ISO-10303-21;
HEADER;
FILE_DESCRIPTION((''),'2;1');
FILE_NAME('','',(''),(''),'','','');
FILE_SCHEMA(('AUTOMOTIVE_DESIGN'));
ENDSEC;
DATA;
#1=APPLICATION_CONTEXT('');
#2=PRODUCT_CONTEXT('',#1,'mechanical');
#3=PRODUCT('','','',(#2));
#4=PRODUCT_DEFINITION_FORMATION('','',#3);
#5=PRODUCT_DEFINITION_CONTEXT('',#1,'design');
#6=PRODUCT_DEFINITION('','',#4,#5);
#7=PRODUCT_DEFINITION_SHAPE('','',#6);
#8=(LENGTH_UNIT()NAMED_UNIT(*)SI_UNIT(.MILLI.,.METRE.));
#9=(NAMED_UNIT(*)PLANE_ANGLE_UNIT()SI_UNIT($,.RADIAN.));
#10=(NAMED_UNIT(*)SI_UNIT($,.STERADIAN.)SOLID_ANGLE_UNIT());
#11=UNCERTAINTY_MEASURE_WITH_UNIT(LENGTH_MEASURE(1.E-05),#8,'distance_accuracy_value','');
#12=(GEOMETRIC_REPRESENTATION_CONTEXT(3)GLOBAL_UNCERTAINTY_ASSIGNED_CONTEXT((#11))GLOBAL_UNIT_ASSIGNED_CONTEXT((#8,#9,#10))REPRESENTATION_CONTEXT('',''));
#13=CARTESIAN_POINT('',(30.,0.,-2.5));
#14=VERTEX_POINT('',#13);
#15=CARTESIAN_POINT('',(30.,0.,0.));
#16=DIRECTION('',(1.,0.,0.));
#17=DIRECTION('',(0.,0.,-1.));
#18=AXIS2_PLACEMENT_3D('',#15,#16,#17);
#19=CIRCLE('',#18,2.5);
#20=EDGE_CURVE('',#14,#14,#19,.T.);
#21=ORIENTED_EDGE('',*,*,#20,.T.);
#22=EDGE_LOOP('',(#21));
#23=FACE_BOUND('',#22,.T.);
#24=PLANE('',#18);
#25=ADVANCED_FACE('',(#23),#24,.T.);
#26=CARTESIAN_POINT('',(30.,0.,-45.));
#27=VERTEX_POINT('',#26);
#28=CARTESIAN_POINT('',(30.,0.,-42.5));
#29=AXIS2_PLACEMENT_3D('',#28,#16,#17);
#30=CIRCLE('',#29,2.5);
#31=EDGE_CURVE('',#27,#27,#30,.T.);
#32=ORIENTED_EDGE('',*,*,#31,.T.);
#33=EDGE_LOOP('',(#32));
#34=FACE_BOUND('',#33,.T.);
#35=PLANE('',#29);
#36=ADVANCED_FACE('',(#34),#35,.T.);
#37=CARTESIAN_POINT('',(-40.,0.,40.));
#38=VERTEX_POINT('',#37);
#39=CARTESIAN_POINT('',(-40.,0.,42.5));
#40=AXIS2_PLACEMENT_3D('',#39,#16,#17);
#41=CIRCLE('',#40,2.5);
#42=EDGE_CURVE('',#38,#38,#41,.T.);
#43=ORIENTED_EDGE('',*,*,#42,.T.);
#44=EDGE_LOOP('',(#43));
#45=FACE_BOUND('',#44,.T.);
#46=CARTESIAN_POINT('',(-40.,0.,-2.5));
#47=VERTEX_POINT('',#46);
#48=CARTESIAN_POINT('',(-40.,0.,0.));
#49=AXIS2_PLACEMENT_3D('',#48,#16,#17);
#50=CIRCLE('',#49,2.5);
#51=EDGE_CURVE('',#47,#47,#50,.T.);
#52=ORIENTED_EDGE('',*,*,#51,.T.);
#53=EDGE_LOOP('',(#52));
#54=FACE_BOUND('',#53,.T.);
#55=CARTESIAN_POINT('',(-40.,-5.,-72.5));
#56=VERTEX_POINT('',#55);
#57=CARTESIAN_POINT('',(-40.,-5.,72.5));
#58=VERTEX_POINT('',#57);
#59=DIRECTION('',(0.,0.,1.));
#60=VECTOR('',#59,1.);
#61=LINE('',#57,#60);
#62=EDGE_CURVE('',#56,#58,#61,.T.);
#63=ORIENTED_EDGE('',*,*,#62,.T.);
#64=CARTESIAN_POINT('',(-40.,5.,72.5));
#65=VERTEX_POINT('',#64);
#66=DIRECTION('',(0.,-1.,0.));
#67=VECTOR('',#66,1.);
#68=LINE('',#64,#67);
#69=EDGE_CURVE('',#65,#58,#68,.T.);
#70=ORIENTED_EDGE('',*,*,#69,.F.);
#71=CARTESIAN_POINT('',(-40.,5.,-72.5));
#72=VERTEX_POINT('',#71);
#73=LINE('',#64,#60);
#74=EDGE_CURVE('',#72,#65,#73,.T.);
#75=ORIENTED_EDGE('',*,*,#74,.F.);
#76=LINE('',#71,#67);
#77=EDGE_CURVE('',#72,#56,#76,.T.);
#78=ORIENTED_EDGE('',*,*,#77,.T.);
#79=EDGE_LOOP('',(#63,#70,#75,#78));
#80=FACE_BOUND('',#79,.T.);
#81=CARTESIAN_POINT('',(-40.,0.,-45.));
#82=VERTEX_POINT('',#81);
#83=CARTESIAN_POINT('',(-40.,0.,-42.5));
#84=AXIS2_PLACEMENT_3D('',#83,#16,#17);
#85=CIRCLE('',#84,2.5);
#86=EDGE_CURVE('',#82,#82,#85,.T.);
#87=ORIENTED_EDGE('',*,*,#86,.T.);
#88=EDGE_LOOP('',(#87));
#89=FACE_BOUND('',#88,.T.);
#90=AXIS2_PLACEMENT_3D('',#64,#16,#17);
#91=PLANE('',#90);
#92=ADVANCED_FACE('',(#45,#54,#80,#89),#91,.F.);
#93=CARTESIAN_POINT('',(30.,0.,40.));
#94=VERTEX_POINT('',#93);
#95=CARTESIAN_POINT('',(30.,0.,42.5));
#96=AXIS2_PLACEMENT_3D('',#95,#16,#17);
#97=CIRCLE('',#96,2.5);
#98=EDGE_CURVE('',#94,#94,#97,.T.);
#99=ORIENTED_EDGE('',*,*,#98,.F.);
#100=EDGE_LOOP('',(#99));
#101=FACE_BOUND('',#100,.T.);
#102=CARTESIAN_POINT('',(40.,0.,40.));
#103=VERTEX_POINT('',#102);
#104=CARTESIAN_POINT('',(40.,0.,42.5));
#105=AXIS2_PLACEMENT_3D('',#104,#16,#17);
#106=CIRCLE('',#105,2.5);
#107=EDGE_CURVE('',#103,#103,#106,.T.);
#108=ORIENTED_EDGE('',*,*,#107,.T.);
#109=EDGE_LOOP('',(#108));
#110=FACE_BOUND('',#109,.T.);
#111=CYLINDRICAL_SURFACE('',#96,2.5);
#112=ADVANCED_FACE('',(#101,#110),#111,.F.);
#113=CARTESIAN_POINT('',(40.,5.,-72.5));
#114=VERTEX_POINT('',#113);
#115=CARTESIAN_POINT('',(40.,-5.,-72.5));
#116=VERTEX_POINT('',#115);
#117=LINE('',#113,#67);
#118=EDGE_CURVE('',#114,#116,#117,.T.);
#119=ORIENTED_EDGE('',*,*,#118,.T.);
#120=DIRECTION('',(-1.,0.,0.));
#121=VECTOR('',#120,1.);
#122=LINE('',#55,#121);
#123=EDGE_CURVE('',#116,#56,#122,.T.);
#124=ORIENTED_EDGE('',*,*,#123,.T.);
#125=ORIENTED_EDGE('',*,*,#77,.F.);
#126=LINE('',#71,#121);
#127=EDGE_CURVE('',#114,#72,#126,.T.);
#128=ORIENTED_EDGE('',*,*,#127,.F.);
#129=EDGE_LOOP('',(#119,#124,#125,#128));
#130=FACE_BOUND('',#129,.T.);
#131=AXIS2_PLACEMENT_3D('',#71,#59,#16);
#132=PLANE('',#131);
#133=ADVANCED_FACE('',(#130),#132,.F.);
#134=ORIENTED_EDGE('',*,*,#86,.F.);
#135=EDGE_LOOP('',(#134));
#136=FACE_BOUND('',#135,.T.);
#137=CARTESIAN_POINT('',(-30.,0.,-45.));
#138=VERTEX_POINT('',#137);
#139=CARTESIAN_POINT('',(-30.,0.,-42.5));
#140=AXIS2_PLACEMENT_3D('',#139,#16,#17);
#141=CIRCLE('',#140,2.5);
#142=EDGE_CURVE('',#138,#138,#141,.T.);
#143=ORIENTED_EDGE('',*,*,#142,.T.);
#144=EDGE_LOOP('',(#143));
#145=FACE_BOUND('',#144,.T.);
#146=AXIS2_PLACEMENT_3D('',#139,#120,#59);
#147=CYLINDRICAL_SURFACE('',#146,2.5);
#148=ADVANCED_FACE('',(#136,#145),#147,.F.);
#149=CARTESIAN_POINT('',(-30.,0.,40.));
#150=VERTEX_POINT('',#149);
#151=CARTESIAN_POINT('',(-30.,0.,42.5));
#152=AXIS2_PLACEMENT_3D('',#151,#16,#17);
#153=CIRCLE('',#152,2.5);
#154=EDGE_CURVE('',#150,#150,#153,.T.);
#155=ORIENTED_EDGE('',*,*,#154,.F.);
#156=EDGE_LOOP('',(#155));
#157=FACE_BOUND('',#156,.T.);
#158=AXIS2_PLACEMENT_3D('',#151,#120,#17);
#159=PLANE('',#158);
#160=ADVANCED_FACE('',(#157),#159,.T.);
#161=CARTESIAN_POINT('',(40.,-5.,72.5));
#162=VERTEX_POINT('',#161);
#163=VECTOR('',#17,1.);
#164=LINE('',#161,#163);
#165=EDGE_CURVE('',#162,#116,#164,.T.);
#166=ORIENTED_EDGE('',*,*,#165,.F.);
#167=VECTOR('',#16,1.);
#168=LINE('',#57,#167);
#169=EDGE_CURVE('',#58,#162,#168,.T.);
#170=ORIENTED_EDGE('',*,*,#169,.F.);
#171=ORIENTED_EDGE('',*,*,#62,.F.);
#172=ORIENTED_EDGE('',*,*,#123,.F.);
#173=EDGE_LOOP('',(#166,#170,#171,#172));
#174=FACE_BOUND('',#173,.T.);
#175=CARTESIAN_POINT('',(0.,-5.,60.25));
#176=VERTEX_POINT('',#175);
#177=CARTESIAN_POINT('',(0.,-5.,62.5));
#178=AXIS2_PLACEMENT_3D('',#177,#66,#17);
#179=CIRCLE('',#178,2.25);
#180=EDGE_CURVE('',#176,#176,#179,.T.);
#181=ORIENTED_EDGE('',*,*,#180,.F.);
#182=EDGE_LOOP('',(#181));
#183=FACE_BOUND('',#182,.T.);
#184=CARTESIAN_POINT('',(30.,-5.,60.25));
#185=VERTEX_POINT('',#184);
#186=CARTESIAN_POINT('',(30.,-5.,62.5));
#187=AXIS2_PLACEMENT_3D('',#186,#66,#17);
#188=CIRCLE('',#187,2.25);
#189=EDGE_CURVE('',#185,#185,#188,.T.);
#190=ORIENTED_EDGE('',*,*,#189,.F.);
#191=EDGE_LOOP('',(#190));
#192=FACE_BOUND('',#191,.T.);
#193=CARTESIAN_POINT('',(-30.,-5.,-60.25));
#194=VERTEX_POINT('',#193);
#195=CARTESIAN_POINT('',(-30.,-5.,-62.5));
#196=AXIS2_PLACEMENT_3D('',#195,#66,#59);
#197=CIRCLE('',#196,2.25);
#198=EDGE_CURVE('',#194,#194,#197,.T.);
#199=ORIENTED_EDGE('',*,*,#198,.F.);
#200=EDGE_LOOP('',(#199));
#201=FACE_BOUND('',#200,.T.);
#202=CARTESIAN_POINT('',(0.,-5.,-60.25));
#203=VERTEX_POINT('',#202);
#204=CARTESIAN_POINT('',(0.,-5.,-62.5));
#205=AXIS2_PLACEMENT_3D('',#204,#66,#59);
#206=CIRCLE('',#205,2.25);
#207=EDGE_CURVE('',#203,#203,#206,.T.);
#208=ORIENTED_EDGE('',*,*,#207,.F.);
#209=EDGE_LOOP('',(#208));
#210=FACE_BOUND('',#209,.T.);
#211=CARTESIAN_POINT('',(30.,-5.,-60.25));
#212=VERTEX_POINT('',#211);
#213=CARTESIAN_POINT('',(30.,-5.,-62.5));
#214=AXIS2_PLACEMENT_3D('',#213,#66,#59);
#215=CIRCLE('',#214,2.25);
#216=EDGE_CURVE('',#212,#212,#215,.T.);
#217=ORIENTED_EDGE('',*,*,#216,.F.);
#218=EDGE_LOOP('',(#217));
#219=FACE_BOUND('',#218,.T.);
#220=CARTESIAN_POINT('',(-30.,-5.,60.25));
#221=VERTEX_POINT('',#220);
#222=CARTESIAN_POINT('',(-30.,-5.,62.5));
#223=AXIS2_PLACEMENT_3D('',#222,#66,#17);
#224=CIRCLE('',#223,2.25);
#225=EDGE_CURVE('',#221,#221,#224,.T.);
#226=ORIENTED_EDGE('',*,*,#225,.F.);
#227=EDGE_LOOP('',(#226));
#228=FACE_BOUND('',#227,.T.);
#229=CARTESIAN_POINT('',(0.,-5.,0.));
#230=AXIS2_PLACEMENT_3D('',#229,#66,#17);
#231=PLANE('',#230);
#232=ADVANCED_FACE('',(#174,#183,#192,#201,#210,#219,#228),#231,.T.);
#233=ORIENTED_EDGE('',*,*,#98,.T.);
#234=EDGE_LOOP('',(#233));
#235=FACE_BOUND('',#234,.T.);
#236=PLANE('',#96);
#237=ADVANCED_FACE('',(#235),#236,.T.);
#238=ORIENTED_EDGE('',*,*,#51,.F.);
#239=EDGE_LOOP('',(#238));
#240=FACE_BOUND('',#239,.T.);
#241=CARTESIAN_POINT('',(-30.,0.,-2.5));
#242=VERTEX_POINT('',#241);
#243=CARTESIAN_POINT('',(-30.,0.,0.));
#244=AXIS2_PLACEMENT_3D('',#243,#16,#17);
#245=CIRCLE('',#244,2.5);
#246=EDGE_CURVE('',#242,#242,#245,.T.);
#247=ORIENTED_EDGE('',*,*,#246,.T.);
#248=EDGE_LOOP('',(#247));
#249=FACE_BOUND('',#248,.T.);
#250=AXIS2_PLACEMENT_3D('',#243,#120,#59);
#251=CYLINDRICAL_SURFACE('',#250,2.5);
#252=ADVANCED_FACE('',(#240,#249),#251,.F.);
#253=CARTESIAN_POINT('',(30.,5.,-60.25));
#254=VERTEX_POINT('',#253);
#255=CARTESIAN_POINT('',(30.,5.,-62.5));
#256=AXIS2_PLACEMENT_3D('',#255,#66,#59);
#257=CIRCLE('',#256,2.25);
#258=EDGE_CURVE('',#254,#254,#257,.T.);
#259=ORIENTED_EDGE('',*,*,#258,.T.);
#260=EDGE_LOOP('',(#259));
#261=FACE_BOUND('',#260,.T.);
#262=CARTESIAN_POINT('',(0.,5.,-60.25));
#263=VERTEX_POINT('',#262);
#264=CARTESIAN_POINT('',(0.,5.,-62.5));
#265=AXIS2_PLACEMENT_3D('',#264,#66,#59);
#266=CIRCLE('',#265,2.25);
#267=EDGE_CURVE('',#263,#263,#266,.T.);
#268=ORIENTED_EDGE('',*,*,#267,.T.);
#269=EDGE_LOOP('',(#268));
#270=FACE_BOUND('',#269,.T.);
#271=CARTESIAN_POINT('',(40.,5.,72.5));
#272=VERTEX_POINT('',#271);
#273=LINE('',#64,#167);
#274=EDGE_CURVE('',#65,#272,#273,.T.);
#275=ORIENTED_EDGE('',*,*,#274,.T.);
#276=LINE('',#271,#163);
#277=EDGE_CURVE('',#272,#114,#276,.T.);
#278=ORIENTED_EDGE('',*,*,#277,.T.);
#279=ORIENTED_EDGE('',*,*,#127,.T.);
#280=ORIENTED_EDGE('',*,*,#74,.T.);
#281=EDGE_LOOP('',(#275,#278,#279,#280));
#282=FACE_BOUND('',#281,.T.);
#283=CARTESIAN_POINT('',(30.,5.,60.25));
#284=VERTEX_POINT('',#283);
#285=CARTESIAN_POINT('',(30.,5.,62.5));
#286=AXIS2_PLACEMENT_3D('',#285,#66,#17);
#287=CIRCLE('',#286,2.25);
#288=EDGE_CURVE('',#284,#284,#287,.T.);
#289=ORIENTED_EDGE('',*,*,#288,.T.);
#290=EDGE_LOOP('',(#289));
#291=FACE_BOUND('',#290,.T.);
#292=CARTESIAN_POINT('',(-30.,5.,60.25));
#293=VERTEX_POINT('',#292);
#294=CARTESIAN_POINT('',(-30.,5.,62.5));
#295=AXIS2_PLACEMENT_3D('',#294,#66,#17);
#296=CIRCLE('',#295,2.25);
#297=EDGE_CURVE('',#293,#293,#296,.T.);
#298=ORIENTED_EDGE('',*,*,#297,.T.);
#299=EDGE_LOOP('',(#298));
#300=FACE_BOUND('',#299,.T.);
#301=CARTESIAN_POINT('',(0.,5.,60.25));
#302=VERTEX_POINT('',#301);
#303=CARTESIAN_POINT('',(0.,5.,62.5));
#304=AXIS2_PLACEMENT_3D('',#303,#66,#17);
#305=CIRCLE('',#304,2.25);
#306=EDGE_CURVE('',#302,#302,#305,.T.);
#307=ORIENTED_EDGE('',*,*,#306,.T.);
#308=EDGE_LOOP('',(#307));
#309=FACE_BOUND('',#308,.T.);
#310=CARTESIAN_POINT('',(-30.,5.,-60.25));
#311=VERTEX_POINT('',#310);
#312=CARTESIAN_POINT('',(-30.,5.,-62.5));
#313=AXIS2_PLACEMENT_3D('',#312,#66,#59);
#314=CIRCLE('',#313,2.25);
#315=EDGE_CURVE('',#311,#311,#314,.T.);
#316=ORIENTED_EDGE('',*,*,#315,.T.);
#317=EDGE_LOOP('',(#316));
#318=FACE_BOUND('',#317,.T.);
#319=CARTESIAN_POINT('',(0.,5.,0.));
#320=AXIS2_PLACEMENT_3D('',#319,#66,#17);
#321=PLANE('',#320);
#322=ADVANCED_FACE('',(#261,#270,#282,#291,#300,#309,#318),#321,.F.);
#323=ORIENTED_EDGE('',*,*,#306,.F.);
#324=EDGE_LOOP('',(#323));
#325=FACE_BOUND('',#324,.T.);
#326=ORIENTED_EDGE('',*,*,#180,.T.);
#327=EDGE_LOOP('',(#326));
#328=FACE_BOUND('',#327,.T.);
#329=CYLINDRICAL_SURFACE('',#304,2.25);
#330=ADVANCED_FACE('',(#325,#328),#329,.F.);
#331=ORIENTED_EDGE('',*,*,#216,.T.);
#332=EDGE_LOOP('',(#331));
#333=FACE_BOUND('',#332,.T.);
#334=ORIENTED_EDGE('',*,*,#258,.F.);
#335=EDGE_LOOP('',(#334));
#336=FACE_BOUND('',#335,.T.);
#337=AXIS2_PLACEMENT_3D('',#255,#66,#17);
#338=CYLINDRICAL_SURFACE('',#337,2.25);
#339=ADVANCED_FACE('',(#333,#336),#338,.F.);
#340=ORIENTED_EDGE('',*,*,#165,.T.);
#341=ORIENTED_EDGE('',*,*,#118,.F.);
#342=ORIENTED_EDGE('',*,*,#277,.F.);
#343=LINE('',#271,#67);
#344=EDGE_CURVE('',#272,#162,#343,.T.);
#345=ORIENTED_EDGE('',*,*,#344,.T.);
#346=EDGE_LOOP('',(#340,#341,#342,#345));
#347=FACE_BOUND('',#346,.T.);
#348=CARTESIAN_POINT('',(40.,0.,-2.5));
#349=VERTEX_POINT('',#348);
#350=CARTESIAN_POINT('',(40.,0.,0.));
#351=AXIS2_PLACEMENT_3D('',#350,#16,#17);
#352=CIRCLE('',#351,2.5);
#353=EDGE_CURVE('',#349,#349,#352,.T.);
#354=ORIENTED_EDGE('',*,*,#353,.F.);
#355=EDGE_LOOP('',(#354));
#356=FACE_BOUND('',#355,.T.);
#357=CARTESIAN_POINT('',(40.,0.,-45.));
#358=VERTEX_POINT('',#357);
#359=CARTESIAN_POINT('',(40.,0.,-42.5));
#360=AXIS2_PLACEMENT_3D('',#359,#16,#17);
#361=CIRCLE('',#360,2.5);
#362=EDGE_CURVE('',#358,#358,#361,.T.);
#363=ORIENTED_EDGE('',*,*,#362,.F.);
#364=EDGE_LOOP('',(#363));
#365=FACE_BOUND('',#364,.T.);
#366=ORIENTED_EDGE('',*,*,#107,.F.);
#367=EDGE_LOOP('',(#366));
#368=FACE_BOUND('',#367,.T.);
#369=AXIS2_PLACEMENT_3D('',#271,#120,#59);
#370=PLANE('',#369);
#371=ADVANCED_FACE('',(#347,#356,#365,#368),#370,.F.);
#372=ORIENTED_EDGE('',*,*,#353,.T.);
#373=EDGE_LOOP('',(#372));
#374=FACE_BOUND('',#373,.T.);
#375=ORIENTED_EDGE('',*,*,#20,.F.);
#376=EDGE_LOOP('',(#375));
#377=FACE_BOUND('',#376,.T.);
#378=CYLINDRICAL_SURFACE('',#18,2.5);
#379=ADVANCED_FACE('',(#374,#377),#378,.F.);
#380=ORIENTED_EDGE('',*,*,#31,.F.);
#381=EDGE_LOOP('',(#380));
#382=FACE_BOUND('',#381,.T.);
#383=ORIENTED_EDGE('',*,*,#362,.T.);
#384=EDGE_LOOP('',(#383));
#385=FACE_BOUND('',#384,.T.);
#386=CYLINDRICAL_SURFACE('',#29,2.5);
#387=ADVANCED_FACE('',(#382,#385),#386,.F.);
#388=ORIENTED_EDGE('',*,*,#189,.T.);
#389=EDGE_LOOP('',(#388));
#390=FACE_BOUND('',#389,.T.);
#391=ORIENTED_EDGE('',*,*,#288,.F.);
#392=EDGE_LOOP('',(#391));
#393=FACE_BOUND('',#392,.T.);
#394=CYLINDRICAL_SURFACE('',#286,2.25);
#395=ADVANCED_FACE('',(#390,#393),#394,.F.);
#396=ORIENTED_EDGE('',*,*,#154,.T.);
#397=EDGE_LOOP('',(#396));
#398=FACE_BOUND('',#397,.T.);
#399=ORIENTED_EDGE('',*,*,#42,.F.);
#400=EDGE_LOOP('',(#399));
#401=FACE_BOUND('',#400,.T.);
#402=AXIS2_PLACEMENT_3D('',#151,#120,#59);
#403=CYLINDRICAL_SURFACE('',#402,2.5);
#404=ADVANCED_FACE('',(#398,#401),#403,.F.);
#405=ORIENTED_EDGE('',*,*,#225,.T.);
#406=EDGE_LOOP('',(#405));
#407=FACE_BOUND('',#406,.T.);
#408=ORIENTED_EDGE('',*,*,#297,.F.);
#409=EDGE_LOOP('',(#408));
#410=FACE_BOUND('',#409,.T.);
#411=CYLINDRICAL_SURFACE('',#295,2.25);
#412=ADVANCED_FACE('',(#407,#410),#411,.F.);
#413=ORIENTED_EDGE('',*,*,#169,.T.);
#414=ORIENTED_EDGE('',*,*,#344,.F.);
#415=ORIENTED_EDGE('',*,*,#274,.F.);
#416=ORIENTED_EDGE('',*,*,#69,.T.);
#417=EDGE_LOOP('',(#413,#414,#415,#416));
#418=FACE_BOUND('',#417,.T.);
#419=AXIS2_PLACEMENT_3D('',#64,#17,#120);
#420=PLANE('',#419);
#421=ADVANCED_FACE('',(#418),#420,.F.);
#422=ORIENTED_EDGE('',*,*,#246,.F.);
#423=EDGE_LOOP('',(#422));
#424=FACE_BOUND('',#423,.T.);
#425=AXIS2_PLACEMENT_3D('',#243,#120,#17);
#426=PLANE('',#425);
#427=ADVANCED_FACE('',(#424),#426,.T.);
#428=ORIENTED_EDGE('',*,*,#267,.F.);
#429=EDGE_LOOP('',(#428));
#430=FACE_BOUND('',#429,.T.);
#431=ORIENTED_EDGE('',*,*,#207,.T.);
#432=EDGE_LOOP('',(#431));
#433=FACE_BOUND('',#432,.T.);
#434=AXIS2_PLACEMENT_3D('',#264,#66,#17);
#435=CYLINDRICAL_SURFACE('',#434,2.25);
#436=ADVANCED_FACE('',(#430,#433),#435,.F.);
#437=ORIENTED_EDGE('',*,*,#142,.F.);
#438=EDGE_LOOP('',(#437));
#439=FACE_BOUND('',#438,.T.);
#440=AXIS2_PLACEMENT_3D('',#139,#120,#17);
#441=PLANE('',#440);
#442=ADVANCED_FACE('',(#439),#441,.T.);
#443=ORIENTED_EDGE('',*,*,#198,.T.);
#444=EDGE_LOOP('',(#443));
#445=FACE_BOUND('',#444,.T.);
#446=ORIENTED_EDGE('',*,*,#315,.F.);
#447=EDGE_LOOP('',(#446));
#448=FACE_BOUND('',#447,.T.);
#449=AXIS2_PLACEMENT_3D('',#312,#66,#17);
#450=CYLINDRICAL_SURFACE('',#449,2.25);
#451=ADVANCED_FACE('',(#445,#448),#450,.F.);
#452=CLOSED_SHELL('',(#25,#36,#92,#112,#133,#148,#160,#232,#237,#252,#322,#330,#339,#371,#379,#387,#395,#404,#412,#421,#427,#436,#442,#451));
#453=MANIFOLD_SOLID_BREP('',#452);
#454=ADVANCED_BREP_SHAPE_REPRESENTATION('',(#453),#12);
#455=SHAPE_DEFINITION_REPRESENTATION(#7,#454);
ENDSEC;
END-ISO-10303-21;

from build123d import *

# Parameters (mm, degrees)
CROQUIS1_W              = 80
CROQUIS1_H              = 145
SALIENTE_EXTRUIR1_DEPTH = 5
CROQUIS2_R              = 2.5
CORTAR_EXTRUIR1_DEPTH   = 10
CROQUIS3_R              = 2.25
CORTAR_EXTRUIR2_DEPTH   = 84.404136588


with BuildPart() as part:
    # Croquis1 → Saliente-Extruir1 (new, symmetric)
    with BuildSketch(Plane(origin=(0, 0, 0), x_dir=(1, 0, 0), z_dir=(0, 1, 0))):
        Rectangle(CROQUIS1_W, CROQUIS1_H)
    extrude(amount=SALIENTE_EXTRUIR1_DEPTH, both=True)

    # Croquis2 → Cortar-Extruir1 (cut)
    with BuildSketch(Plane(origin=(40, 0, 0), x_dir=(0, 0, -1), z_dir=(1, 0, 0))):
        Circle(CROQUIS2_R)
        with Locations((42.5, 0)):
            Circle(CROQUIS2_R)
        with Locations((-42.5, 0)):
            Circle(CROQUIS2_R)
    cortar_extruir1 = extrude(amount=-CORTAR_EXTRUIR1_DEPTH, mode=Mode.SUBTRACT)

    # Simetría1: Cortar-Extruir1 across plane
    add(cortar_extruir1.mirror(Plane(origin=(0, 0, 0), x_dir=(0, 0, 1), z_dir=(1, 0, 0))), mode=Mode.SUBTRACT)

    # Croquis3 → Cortar-Extruir2 (cut, through all)
    with BuildSketch(Plane.XZ.offset(5)):
        with Locations(Location((-30, 62.5, 0), (0, 0, 270))):
            Circle(CROQUIS3_R)
        with Locations(Location((0, 62.5, 0), (0, 0, 270))):
            Circle(CROQUIS3_R)
        with Locations(Location((30, 62.5, 0), (0, 0, 270))):
            Circle(CROQUIS3_R)
        with Locations(Location((30, -62.5, 0), (0, 0, 90))):
            Circle(CROQUIS3_R)
        with Locations(Location((0, -62.5, 0), (0, 0, 90))):
            Circle(CROQUIS3_R)
        with Locations(Location((-30, -62.5, 0), (0, 0, 90))):
            Circle(CROQUIS3_R)
    extrude(amount=-CORTAR_EXTRUIR2_DEPTH, mode=Mode.SUBTRACT)


solid = part.part
